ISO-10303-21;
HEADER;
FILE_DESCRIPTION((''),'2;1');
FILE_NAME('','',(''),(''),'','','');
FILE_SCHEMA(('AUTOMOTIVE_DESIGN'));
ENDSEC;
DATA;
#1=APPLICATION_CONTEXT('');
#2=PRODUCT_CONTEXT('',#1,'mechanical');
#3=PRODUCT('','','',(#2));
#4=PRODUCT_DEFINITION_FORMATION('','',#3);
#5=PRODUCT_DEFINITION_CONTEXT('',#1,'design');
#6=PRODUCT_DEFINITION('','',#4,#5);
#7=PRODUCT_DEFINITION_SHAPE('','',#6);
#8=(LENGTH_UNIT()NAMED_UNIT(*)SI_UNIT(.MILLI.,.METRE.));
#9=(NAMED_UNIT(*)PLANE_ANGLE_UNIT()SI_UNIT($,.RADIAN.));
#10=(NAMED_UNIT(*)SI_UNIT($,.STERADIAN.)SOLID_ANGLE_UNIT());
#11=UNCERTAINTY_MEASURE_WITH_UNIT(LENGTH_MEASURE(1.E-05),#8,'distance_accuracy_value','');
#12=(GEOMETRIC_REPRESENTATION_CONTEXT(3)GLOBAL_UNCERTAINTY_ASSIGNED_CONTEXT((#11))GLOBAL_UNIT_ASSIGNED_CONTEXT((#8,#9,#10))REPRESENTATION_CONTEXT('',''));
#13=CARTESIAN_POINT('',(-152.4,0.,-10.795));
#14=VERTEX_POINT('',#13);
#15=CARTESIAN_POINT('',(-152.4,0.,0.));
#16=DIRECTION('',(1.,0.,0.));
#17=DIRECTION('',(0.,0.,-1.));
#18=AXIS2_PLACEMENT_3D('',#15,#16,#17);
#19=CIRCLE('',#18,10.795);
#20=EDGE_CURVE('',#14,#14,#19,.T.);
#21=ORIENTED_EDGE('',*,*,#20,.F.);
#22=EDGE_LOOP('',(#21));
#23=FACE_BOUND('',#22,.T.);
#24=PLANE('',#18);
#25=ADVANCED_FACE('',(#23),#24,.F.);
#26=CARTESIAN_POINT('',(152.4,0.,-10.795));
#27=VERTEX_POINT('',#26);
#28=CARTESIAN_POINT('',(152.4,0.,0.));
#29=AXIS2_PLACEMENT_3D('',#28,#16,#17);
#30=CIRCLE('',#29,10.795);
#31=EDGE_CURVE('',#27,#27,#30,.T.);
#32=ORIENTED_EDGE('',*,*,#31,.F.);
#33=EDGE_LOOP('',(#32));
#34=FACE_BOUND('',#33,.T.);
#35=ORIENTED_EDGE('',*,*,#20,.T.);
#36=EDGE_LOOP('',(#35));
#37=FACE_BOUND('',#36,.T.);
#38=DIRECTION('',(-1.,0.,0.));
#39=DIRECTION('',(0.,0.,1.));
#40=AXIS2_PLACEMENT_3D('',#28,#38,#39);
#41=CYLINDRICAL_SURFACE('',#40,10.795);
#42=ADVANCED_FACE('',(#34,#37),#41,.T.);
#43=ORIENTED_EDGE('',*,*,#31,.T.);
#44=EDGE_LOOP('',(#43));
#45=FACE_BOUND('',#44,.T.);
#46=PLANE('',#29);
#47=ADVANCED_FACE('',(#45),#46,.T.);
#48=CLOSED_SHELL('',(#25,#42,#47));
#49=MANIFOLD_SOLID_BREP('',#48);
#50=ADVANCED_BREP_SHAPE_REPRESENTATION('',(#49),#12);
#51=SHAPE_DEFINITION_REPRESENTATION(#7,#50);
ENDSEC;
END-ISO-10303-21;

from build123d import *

# Parameters (mm, degrees)
SKETCH1_R           = 10.795
BOSS_EXTRUDE1_DEPTH = 152.4


with BuildPart() as part:
    # Sketch1 → Boss-Extrude1 (new body, symmetric)
    with BuildSketch(Plane(origin=(0, 0, 0), x_dir=(0, 0, -1), z_dir=(1, 0, 0))):
        Circle(SKETCH1_R)
    extrude(amount=BOSS_EXTRUDE1_DEPTH, both=True)


solid = part.part
